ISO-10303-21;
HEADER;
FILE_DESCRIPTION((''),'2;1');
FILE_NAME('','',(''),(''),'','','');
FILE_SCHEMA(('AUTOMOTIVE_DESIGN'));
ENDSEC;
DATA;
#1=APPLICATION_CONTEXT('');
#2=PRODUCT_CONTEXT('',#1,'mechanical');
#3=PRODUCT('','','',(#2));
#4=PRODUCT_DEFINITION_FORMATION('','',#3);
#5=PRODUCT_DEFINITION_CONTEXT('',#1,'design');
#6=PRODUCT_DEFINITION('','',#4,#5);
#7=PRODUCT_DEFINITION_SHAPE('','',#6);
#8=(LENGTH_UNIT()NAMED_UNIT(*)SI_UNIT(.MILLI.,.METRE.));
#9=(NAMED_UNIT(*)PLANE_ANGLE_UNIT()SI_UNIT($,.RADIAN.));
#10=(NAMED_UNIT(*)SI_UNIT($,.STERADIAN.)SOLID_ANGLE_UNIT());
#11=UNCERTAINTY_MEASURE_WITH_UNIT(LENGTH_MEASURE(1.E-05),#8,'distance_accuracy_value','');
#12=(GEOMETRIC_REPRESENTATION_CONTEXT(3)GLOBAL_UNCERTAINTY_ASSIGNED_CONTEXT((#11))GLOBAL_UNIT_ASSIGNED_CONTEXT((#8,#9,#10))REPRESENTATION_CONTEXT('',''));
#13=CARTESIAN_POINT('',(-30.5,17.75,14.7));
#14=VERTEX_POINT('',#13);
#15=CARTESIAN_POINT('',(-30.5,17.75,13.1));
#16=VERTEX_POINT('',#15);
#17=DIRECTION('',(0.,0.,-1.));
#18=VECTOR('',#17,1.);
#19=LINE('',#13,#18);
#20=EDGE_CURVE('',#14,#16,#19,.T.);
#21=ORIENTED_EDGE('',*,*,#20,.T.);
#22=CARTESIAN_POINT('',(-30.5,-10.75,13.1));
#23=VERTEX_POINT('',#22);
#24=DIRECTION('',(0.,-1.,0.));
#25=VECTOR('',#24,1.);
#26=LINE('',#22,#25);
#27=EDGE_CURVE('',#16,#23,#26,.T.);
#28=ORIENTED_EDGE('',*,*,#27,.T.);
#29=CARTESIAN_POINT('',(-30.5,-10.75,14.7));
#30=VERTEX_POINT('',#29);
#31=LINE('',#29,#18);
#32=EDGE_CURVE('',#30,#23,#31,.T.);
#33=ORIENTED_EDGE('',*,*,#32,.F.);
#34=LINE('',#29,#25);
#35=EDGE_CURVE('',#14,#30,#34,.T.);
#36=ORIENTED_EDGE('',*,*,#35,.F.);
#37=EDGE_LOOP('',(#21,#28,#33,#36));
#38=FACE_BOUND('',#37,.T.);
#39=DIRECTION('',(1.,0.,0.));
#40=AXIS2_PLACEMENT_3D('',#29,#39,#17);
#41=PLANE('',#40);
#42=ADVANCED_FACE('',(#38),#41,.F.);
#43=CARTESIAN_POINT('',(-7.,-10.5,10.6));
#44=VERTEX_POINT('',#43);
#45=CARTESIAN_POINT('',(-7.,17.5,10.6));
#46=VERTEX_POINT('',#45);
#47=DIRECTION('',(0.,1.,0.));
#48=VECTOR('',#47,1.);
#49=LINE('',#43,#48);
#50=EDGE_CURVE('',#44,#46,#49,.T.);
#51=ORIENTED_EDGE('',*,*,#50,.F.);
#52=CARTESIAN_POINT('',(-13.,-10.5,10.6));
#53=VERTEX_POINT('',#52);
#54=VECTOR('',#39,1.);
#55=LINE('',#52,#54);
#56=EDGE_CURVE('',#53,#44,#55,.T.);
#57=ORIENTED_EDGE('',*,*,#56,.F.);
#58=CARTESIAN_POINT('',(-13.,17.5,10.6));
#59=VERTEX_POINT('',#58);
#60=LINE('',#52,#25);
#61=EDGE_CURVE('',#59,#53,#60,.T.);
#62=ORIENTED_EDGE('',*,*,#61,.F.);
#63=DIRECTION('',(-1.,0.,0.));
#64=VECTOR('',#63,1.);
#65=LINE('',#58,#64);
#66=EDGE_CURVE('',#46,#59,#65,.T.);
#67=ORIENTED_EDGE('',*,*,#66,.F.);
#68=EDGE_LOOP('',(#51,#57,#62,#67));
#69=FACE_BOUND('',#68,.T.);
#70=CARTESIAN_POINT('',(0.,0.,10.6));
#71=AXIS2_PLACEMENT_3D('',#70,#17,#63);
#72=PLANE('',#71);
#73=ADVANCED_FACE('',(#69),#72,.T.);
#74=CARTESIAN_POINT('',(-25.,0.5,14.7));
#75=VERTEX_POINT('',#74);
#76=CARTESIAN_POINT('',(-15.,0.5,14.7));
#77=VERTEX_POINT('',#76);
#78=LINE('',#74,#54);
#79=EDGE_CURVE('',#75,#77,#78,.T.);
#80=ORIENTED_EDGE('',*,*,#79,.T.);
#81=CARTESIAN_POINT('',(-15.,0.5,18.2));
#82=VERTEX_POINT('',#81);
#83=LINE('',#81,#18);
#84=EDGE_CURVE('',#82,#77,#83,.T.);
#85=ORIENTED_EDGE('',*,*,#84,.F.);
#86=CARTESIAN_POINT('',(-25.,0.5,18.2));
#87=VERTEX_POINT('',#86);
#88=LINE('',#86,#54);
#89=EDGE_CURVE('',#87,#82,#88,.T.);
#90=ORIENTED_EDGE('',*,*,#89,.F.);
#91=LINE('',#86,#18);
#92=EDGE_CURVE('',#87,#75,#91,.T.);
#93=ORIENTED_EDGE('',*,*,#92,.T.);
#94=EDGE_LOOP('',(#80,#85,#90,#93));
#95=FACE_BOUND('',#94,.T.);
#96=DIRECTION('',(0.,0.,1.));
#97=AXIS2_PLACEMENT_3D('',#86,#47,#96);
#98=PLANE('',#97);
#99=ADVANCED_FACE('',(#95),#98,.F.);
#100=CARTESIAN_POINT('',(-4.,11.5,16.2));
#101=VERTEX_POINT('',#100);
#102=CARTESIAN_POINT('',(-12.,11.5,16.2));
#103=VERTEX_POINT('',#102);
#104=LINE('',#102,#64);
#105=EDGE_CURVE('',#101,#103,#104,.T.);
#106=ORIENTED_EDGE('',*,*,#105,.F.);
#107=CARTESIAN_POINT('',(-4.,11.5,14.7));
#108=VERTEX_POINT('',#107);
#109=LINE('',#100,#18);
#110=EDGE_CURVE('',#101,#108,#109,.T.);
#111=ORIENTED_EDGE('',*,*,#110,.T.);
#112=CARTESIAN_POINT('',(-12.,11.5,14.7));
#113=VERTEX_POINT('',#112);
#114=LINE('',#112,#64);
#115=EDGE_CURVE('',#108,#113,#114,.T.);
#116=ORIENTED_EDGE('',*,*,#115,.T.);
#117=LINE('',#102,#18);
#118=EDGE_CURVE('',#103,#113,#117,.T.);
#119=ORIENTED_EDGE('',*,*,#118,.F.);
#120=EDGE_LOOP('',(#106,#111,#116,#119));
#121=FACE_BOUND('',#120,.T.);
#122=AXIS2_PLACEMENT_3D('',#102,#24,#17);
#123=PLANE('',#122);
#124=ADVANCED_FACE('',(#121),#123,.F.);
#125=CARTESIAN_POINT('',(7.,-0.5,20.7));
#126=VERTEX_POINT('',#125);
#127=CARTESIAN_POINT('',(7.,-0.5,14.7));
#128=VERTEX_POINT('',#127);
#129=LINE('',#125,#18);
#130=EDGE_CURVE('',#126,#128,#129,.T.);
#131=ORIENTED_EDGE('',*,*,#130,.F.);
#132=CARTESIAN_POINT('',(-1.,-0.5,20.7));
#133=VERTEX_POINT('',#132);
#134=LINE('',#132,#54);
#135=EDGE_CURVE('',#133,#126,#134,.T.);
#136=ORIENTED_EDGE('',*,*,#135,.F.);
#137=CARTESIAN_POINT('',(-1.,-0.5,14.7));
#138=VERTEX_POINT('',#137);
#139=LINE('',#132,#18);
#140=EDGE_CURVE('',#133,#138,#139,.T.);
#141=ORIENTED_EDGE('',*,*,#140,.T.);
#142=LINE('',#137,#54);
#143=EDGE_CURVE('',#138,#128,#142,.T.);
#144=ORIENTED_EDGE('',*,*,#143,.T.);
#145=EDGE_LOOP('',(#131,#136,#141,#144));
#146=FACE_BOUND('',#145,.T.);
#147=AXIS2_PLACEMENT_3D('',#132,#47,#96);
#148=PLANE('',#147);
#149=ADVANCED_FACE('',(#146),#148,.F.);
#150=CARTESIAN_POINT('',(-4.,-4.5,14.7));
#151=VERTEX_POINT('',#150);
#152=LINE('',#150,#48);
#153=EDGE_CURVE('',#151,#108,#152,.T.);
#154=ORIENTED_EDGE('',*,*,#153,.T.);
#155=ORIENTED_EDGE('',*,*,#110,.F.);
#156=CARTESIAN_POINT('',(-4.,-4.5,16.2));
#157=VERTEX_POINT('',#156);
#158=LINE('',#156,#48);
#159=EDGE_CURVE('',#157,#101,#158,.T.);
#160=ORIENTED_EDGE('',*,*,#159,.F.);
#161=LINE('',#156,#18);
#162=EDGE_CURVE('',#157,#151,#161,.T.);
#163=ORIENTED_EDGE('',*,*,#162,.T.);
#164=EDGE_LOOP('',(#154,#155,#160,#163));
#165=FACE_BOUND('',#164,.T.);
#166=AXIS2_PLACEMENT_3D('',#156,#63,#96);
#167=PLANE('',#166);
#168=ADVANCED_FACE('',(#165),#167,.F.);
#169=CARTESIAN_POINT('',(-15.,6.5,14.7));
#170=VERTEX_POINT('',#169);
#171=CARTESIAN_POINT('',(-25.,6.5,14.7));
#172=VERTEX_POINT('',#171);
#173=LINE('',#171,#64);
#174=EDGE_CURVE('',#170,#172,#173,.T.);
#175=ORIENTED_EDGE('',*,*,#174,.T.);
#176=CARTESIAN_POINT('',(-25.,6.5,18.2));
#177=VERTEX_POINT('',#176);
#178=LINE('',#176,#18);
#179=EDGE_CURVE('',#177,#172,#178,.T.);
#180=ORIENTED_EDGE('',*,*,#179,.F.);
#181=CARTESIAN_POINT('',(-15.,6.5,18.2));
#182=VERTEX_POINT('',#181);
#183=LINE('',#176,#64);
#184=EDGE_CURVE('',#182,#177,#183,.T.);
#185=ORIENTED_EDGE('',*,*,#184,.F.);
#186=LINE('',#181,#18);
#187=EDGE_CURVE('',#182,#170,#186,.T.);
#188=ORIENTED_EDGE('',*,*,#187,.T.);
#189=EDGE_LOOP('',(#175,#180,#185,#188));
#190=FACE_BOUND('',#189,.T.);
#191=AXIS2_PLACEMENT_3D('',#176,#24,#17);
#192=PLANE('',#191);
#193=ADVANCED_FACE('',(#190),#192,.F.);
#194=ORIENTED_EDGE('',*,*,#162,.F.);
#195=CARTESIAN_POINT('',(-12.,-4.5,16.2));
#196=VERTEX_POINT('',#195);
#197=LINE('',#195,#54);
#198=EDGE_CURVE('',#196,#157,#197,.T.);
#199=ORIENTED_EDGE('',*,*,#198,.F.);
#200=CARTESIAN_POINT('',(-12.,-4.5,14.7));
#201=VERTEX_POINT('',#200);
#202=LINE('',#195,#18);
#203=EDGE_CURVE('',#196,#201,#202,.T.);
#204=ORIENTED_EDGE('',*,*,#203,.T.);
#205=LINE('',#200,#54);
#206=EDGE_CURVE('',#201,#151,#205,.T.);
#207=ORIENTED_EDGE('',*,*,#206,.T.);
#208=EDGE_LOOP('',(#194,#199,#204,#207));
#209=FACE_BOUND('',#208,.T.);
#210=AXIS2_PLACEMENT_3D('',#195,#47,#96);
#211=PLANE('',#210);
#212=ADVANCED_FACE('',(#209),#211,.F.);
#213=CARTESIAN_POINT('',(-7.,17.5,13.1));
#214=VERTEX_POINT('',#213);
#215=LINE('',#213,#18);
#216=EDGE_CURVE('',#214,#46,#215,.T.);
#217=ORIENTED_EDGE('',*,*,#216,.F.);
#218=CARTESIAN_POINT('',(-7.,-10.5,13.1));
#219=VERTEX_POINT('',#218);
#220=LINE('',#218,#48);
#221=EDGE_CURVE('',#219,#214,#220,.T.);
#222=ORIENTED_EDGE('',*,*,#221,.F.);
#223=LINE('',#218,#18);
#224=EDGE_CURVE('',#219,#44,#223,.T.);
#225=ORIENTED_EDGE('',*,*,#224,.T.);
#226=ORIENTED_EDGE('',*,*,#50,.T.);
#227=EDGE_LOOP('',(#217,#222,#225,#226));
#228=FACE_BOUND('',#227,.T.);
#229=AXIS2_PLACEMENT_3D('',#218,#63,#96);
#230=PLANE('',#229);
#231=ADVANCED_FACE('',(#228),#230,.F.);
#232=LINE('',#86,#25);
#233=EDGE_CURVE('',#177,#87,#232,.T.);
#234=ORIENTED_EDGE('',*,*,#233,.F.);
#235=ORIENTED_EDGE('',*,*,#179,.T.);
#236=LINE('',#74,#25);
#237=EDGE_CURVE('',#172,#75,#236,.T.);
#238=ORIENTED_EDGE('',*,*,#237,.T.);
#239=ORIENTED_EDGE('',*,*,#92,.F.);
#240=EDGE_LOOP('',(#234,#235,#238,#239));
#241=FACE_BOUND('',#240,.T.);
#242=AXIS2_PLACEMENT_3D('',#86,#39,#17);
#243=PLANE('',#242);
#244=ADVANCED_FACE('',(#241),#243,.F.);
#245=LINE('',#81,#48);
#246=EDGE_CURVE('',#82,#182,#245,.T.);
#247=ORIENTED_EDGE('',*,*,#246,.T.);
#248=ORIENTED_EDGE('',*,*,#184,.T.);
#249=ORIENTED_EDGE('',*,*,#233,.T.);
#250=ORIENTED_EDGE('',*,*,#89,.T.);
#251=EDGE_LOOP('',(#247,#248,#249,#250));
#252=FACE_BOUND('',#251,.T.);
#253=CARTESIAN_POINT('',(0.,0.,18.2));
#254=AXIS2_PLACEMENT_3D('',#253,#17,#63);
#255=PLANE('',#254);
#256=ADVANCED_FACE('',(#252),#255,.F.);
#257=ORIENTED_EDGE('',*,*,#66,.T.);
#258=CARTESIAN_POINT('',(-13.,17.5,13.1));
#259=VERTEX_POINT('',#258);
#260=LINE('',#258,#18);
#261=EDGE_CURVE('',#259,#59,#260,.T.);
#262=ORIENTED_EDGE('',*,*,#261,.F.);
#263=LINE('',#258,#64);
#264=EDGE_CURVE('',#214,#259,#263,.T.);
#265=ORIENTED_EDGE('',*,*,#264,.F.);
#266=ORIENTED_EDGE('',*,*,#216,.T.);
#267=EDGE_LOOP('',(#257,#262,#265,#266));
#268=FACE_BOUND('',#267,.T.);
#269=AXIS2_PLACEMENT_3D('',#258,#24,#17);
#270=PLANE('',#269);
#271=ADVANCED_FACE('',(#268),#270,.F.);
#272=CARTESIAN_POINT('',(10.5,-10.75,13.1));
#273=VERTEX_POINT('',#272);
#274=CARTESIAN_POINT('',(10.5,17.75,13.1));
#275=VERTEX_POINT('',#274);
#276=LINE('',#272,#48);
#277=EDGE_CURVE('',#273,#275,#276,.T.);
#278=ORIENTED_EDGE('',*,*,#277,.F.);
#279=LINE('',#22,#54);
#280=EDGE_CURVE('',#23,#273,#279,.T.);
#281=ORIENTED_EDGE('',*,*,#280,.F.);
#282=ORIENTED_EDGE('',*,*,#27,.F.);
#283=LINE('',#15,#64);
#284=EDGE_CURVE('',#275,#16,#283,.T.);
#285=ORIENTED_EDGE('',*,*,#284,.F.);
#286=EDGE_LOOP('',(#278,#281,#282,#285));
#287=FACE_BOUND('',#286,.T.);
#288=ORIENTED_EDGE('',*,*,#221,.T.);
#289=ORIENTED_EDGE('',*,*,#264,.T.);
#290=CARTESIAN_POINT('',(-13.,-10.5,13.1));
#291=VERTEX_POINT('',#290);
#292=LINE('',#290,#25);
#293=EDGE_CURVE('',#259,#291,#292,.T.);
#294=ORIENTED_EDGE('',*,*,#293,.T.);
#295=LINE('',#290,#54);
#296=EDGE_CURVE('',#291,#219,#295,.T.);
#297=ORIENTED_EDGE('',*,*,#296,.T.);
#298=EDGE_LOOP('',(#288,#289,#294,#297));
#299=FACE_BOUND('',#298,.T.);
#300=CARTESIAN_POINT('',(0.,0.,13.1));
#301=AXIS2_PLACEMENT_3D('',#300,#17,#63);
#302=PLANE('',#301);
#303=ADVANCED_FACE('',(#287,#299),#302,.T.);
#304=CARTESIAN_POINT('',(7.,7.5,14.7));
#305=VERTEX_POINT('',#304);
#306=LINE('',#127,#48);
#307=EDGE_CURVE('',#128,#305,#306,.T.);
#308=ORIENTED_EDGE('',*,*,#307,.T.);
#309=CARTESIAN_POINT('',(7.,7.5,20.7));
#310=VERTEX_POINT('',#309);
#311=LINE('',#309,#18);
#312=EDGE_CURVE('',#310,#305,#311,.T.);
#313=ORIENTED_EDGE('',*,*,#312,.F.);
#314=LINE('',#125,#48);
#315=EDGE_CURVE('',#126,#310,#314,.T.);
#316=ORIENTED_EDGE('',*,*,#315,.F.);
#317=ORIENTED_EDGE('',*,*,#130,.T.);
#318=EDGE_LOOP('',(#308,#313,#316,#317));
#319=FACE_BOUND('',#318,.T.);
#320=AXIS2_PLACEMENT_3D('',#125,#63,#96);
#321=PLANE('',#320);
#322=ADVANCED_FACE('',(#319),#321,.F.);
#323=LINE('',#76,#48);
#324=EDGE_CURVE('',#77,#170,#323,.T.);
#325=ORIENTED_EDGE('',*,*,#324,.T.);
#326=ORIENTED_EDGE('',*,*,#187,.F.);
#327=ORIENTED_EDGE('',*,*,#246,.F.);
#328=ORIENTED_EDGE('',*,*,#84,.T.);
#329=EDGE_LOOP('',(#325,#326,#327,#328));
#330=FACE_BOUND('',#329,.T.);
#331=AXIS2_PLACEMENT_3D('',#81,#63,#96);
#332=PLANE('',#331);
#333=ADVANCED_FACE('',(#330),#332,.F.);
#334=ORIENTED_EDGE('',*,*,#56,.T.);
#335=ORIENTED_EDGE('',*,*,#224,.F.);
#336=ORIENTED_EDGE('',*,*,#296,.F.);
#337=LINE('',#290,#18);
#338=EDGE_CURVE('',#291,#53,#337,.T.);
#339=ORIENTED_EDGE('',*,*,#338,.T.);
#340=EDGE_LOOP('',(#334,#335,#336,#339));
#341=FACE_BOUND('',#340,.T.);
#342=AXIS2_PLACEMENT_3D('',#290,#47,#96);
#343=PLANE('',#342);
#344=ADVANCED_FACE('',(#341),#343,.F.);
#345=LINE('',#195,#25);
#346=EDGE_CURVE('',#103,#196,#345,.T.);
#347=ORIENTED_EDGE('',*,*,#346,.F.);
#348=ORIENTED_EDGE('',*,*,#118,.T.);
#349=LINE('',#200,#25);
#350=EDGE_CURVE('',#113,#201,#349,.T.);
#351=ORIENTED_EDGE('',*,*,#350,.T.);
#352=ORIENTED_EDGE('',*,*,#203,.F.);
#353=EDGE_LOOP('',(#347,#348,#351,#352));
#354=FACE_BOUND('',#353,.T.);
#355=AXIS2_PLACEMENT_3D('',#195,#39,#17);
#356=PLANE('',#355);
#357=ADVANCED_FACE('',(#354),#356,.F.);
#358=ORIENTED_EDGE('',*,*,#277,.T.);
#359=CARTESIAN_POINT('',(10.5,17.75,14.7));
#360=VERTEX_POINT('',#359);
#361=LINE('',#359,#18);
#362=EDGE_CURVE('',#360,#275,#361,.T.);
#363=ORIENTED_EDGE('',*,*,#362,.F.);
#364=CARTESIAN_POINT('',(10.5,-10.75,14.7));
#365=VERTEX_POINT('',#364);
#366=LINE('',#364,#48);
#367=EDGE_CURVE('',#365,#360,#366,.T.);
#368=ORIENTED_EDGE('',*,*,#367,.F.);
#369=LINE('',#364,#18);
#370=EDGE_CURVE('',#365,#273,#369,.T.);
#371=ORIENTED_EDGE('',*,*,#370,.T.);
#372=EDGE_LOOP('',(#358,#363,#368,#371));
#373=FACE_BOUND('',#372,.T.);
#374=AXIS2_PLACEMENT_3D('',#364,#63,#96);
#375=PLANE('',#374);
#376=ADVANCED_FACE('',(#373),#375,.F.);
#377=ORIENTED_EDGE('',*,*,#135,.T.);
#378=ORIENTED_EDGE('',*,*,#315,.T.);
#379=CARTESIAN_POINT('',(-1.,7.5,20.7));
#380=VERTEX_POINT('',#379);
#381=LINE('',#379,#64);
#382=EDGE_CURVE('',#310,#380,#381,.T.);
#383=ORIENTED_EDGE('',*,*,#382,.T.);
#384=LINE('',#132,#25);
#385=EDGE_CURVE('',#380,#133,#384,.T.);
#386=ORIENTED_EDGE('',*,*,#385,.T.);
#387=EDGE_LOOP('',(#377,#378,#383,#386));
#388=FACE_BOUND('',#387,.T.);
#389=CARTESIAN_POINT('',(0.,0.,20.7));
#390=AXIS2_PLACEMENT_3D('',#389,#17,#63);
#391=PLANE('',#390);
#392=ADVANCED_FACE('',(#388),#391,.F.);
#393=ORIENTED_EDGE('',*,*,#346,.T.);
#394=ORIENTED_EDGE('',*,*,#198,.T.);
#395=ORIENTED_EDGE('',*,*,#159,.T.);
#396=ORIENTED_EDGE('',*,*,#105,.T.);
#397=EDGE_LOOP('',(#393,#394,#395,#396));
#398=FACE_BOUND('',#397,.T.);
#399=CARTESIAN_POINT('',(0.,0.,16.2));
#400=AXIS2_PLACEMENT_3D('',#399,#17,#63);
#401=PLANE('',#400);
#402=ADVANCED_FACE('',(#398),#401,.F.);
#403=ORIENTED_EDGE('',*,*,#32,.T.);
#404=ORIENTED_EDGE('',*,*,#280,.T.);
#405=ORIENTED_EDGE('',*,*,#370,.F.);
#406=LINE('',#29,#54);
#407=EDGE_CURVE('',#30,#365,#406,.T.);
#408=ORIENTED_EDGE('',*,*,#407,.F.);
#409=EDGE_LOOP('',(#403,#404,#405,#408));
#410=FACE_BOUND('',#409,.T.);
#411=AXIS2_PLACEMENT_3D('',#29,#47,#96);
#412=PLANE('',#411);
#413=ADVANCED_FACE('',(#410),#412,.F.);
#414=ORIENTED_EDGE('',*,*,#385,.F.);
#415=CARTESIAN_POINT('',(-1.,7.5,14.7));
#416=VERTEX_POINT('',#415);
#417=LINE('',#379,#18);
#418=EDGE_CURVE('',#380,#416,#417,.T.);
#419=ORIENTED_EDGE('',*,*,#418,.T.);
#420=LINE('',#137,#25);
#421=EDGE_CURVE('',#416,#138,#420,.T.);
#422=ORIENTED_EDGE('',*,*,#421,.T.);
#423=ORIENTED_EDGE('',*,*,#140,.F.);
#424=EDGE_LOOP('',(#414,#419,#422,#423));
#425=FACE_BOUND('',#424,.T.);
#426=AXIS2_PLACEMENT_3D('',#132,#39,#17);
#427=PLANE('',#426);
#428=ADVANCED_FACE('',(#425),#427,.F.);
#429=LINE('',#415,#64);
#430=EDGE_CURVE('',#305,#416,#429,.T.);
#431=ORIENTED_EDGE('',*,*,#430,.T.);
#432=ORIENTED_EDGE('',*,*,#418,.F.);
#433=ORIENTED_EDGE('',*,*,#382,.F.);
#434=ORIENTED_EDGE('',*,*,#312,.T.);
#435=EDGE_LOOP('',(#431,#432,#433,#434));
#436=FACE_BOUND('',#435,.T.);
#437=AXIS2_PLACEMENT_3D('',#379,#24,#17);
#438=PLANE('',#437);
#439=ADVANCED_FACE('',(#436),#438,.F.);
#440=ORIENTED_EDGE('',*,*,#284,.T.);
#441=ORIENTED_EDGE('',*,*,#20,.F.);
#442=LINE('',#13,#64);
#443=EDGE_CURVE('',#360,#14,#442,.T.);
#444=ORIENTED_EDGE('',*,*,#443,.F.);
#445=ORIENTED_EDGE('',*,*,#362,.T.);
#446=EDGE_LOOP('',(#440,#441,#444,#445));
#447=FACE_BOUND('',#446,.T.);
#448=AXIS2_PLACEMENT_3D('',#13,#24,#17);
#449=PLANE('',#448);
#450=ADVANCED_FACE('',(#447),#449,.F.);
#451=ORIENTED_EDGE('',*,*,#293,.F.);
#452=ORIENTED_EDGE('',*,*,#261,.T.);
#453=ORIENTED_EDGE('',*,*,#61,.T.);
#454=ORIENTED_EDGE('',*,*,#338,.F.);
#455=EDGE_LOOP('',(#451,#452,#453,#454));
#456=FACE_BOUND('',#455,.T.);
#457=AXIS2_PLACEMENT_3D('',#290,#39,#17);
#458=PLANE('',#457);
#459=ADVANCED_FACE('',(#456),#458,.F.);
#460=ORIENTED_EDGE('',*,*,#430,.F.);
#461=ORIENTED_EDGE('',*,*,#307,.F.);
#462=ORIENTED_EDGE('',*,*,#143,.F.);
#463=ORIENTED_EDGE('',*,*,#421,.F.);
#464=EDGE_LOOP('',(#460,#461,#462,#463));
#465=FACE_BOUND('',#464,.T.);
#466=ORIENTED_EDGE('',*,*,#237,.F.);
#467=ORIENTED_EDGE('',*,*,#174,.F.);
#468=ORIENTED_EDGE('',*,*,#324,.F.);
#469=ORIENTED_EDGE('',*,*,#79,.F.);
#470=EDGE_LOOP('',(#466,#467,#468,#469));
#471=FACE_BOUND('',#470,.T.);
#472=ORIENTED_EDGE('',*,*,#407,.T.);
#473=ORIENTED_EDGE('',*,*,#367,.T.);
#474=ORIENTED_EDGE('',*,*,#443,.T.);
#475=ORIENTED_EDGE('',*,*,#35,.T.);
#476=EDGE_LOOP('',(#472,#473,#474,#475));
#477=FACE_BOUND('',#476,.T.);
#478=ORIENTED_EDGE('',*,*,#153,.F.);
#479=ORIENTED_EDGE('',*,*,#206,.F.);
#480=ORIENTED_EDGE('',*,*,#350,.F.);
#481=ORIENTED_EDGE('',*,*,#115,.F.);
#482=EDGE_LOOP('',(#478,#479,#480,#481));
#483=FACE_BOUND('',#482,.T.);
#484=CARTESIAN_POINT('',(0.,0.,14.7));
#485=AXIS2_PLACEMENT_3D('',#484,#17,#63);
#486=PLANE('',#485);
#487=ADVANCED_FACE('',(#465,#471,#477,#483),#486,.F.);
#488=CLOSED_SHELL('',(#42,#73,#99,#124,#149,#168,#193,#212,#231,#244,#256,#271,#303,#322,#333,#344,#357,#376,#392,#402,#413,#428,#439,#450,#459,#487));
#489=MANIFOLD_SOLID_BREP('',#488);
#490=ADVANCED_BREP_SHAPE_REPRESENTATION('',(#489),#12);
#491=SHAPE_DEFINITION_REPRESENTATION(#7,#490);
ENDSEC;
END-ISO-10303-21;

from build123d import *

# Parameters (mm, degrees)
SKETCH1_W           = 41
SKETCH1_H           = 28.5
BOSS_EXTRUDE1_DEPTH = 1.6
SKETCH2_W           = 6
SKETCH2_H           = 28
BOSS_EXTRUDE2_DEPTH = 2.5
SKETCH3_W           = 8
SKETCH3_H           = 8
BOSS_EXTRUDE3_DEPTH = 6
SKETCH4_W           = 10
SKETCH4_H           = 6
BOSS_EXTRUDE4_DEPTH = 3.5
SKETCH5_W           = 8
SKETCH5_H           = 16
BOSS_EXTRUDE5_DEPTH = 1.5


with BuildPart() as part:
    # Sketch1 → Boss-Extrude1 (new body)
    with BuildSketch(Plane.XY.offset(13.1)):
        with Locations((-10, 3.5)):
            Rectangle(SKETCH1_W, SKETCH1_H)
    extrude(amount=BOSS_EXTRUDE1_DEPTH)

    # Sketch2 → Boss-Extrude2 (add)
    with BuildSketch(Plane.XY.offset(10.6)):
        with Locations((-10, 3.5)):
            Rectangle(SKETCH2_W, SKETCH2_H)
    extrude(amount=BOSS_EXTRUDE2_DEPTH)

    # Sketch3 → Boss-Extrude3 (add)
    with BuildSketch(Plane.XY.offset(14.7)):
        with Locations((3, 3.5)):
            Rectangle(SKETCH3_W, SKETCH3_H)
    extrude(amount=BOSS_EXTRUDE3_DEPTH)

    # Sketch4 → Boss-Extrude4 (add)
    with BuildSketch(Plane.XY.offset(14.7)):
        with Locations((-20, 3.5)):
            Rectangle(SKETCH4_W, SKETCH4_H)
    extrude(amount=BOSS_EXTRUDE4_DEPTH)

    # Sketch5 → Boss-Extrude5 (add)
    with BuildSketch(Plane.XY.offset(14.7)):
        with Locations((-8, 3.5)):
            Rectangle(SKETCH5_W, SKETCH5_H)
    extrude(amount=BOSS_EXTRUDE5_DEPTH)


solid = part.part
